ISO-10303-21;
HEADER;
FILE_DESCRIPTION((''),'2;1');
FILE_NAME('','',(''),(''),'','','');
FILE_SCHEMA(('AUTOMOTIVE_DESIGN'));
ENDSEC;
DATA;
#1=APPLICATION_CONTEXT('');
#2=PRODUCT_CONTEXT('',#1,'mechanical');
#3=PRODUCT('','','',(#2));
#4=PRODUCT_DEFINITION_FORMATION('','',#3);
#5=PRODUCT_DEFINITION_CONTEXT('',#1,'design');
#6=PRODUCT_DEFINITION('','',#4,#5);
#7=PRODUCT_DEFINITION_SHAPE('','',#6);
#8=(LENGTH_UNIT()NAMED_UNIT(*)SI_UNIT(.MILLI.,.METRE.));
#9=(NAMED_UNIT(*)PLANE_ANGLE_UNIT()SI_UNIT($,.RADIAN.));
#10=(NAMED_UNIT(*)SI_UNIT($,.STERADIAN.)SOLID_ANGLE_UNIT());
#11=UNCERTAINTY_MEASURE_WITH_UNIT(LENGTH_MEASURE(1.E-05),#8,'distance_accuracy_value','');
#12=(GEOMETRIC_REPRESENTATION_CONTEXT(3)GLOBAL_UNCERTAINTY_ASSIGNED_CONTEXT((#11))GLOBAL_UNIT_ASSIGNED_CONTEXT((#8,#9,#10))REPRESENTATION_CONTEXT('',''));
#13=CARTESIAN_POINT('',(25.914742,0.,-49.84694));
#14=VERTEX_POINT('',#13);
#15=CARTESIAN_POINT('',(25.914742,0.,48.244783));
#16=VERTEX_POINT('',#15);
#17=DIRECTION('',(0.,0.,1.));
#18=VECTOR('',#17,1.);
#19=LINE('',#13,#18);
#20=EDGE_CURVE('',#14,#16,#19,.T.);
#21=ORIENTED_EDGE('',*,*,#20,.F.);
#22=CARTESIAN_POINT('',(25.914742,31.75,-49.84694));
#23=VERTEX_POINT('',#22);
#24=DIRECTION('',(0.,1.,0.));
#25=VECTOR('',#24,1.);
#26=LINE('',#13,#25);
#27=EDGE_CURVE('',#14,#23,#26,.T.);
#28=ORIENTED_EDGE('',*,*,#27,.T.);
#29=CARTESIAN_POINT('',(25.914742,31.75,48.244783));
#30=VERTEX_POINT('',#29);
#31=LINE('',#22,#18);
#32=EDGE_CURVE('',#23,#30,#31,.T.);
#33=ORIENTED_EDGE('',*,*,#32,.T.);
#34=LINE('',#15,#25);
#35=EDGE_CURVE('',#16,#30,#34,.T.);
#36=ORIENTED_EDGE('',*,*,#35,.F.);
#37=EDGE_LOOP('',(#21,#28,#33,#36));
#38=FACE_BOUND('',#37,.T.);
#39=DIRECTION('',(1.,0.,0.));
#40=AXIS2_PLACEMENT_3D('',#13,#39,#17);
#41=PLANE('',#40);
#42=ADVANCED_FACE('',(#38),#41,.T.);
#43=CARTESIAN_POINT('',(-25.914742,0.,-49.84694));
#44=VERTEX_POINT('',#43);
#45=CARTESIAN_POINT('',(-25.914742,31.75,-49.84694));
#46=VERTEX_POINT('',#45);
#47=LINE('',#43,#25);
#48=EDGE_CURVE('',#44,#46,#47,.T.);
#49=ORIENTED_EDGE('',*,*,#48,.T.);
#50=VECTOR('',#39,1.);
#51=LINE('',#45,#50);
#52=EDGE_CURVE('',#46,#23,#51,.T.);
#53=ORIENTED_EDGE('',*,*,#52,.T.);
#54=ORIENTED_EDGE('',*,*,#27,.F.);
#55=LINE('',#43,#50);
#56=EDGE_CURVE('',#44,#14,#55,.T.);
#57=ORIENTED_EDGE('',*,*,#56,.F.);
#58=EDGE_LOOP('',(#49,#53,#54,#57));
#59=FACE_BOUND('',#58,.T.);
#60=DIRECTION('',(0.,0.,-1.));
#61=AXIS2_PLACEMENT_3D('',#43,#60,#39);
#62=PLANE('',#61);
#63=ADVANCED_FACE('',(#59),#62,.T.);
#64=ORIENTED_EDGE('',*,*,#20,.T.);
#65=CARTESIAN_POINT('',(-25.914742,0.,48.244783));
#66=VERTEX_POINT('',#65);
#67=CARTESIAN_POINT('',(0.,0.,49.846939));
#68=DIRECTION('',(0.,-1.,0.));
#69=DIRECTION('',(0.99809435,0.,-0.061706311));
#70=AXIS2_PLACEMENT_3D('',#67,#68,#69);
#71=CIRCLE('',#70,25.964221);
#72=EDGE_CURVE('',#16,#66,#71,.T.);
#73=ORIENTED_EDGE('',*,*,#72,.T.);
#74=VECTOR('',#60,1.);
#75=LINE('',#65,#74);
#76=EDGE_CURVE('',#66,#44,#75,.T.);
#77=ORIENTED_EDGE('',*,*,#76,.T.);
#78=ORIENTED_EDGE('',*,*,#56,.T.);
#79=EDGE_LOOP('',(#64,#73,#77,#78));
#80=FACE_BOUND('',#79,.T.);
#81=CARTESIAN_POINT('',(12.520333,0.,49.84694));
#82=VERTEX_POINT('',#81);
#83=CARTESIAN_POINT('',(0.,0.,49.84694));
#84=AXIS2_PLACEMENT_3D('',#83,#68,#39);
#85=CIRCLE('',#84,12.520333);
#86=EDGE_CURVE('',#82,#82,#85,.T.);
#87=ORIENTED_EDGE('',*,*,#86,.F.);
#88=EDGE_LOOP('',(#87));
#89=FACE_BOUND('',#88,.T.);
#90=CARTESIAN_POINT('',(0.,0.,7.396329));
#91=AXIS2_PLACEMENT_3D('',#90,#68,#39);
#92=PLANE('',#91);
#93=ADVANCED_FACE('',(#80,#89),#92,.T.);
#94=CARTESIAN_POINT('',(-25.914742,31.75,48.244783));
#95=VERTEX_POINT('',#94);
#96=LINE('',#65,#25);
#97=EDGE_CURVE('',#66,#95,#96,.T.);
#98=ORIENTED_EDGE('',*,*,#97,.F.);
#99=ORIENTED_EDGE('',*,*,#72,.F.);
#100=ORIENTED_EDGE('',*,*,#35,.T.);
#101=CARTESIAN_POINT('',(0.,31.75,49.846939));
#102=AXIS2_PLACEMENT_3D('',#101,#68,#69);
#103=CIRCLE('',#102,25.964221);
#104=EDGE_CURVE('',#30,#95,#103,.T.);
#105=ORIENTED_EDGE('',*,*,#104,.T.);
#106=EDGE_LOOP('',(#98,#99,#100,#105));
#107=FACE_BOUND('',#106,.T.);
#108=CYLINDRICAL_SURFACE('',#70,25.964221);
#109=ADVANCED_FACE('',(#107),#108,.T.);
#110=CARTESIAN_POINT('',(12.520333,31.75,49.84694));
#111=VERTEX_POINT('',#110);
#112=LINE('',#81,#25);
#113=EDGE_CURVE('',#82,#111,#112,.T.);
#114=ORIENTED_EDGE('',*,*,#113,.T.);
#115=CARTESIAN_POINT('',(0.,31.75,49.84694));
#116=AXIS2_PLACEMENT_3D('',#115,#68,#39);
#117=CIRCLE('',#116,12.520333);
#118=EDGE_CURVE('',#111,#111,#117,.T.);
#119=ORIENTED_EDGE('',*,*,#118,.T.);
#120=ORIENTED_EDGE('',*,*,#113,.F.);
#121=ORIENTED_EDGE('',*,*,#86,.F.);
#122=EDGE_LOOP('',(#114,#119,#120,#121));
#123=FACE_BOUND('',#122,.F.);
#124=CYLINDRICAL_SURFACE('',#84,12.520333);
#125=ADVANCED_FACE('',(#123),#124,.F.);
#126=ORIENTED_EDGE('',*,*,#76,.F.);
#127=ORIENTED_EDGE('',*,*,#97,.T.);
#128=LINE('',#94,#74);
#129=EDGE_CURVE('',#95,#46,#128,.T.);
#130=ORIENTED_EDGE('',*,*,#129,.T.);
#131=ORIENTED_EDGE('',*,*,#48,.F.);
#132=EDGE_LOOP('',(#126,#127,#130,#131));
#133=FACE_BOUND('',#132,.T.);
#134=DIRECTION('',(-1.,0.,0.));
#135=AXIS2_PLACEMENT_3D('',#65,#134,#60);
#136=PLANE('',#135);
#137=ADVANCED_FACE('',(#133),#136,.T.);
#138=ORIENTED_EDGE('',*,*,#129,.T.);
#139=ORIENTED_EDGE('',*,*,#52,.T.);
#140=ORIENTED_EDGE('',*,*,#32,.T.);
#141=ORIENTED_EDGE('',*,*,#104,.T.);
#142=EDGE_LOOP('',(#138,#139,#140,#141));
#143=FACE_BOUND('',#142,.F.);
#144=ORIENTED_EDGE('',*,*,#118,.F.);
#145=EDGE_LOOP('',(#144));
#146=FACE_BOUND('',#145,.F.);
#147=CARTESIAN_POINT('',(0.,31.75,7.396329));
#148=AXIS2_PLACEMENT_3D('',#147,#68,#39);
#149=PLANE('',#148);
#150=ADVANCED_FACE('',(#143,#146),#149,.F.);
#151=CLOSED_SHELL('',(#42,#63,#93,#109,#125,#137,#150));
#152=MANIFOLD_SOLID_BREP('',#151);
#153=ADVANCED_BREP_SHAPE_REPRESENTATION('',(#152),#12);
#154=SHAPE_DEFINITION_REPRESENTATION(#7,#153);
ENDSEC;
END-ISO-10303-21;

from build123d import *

# Parameters (mm, degrees)
F0_R     = 12.520333
F1_DEPTH = 31.75


with BuildPart() as f1:
    # F0 (on Front) → F1 (new body)
    with BuildSketch(Plane.XZ):
        with BuildLine():
            Line((-25.914742, -49.84694), (25.914742, -49.84694))
            Line((25.914742, -49.84694), (25.914742, 48.244783))
            ThreePointArc((25.914742, 48.244783), (0, 75.81116), (-25.914742, 48.244783))
            Line((-25.914742, 48.244783), (-25.914742, -49.84694))
        make_face()
        with Locations((0, 49.84694)):
            Circle(F0_R, mode=Mode.SUBTRACT)
    extrude(amount=-F1_DEPTH)


solid = f1.part
